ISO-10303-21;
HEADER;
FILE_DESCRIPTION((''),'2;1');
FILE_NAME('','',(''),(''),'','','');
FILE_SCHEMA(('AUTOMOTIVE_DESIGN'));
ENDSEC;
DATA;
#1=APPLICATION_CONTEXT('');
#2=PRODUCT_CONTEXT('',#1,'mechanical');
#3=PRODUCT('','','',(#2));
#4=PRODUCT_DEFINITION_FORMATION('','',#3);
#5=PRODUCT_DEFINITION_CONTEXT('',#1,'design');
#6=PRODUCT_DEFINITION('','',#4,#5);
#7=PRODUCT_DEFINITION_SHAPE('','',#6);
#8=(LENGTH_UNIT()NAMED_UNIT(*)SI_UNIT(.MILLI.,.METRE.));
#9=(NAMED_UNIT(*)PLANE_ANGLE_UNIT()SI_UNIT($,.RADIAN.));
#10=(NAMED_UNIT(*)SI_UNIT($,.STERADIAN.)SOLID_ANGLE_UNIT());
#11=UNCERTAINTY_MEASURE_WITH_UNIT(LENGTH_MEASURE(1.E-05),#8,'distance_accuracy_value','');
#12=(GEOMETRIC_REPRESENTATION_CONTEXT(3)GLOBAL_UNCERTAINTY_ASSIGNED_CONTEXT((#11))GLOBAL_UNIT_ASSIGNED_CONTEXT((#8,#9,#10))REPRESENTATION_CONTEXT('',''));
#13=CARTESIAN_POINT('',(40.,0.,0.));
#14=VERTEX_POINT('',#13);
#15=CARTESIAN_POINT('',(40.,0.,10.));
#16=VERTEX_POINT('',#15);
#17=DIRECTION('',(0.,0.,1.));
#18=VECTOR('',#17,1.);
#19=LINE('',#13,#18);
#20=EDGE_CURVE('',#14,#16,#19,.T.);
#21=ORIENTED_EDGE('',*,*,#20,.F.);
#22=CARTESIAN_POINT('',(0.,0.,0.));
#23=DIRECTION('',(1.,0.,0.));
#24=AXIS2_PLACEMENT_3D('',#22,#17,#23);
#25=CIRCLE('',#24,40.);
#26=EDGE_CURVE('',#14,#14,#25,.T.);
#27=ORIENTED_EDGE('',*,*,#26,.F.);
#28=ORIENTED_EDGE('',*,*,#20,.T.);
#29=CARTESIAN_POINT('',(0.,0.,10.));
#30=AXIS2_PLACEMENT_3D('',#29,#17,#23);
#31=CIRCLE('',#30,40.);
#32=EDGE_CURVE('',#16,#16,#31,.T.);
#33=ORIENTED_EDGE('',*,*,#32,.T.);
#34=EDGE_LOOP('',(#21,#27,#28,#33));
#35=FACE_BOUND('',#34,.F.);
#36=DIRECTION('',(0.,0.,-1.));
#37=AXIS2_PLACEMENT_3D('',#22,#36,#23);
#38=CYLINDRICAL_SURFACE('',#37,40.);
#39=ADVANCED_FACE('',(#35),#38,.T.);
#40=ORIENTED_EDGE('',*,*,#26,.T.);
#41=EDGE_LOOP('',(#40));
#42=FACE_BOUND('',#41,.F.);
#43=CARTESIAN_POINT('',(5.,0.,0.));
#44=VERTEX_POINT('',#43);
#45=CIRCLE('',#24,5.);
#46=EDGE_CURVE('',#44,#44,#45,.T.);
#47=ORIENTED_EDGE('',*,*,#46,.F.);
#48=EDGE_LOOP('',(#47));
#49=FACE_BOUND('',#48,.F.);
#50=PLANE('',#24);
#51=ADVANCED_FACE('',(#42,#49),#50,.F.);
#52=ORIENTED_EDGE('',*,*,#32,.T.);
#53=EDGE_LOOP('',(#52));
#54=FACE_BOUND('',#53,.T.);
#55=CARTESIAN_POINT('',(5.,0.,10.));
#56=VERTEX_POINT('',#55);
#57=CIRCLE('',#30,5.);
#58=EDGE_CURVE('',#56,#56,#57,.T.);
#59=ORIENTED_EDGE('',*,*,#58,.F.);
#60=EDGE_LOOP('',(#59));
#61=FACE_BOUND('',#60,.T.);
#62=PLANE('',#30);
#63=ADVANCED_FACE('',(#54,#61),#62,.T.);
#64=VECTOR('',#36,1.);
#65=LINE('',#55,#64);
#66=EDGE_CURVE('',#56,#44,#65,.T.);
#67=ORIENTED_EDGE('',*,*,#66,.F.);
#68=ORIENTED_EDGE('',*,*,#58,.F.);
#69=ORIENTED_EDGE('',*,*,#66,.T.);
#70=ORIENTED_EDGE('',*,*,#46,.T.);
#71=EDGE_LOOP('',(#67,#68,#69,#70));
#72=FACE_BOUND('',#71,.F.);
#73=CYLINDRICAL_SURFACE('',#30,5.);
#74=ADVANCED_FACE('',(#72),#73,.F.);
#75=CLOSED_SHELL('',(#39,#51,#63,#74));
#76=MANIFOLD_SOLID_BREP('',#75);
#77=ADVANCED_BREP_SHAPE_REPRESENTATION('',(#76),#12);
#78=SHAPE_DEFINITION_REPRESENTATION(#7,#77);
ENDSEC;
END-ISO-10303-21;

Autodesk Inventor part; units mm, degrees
ref_plane "YZ Plane" through (0, 0, 0) normal (1, 0, 0) x (0, 1, 0)
ref_plane "XZ Plane" through (0, 0, 0) normal (0, 1, 0) x (-1, 0, 0)
ref_plane "XY Plane" through (0, 0, 0) normal (0, 0, 1) x (1, 0, 0)
sketch "Sketch1" plane through (0, 0, 0) normal (0, 0, 1) x (1, 0, 0)
  circle A0 centre (0, 0) radius 40
  dimension "d0" = 80
extrude "Extrusion1" add sketch "Sketch1" along normal blind 10
sketch "Sketch2" plane through (0, 0, 10) normal (0, 0, 1) x (1, 0, 0)
  circle A0 centre (0, 0) radius 5
  dimension "d3" = 10
extrude "Extrusion2" cut sketch "Sketch2" against normal blind 10
sketch "Sketch3" plane through (0, 0, 10) normal (0, 0, 1) x (1, 0, 0)
  point P0 (0, 0)
properties part number "Tape_holder"
